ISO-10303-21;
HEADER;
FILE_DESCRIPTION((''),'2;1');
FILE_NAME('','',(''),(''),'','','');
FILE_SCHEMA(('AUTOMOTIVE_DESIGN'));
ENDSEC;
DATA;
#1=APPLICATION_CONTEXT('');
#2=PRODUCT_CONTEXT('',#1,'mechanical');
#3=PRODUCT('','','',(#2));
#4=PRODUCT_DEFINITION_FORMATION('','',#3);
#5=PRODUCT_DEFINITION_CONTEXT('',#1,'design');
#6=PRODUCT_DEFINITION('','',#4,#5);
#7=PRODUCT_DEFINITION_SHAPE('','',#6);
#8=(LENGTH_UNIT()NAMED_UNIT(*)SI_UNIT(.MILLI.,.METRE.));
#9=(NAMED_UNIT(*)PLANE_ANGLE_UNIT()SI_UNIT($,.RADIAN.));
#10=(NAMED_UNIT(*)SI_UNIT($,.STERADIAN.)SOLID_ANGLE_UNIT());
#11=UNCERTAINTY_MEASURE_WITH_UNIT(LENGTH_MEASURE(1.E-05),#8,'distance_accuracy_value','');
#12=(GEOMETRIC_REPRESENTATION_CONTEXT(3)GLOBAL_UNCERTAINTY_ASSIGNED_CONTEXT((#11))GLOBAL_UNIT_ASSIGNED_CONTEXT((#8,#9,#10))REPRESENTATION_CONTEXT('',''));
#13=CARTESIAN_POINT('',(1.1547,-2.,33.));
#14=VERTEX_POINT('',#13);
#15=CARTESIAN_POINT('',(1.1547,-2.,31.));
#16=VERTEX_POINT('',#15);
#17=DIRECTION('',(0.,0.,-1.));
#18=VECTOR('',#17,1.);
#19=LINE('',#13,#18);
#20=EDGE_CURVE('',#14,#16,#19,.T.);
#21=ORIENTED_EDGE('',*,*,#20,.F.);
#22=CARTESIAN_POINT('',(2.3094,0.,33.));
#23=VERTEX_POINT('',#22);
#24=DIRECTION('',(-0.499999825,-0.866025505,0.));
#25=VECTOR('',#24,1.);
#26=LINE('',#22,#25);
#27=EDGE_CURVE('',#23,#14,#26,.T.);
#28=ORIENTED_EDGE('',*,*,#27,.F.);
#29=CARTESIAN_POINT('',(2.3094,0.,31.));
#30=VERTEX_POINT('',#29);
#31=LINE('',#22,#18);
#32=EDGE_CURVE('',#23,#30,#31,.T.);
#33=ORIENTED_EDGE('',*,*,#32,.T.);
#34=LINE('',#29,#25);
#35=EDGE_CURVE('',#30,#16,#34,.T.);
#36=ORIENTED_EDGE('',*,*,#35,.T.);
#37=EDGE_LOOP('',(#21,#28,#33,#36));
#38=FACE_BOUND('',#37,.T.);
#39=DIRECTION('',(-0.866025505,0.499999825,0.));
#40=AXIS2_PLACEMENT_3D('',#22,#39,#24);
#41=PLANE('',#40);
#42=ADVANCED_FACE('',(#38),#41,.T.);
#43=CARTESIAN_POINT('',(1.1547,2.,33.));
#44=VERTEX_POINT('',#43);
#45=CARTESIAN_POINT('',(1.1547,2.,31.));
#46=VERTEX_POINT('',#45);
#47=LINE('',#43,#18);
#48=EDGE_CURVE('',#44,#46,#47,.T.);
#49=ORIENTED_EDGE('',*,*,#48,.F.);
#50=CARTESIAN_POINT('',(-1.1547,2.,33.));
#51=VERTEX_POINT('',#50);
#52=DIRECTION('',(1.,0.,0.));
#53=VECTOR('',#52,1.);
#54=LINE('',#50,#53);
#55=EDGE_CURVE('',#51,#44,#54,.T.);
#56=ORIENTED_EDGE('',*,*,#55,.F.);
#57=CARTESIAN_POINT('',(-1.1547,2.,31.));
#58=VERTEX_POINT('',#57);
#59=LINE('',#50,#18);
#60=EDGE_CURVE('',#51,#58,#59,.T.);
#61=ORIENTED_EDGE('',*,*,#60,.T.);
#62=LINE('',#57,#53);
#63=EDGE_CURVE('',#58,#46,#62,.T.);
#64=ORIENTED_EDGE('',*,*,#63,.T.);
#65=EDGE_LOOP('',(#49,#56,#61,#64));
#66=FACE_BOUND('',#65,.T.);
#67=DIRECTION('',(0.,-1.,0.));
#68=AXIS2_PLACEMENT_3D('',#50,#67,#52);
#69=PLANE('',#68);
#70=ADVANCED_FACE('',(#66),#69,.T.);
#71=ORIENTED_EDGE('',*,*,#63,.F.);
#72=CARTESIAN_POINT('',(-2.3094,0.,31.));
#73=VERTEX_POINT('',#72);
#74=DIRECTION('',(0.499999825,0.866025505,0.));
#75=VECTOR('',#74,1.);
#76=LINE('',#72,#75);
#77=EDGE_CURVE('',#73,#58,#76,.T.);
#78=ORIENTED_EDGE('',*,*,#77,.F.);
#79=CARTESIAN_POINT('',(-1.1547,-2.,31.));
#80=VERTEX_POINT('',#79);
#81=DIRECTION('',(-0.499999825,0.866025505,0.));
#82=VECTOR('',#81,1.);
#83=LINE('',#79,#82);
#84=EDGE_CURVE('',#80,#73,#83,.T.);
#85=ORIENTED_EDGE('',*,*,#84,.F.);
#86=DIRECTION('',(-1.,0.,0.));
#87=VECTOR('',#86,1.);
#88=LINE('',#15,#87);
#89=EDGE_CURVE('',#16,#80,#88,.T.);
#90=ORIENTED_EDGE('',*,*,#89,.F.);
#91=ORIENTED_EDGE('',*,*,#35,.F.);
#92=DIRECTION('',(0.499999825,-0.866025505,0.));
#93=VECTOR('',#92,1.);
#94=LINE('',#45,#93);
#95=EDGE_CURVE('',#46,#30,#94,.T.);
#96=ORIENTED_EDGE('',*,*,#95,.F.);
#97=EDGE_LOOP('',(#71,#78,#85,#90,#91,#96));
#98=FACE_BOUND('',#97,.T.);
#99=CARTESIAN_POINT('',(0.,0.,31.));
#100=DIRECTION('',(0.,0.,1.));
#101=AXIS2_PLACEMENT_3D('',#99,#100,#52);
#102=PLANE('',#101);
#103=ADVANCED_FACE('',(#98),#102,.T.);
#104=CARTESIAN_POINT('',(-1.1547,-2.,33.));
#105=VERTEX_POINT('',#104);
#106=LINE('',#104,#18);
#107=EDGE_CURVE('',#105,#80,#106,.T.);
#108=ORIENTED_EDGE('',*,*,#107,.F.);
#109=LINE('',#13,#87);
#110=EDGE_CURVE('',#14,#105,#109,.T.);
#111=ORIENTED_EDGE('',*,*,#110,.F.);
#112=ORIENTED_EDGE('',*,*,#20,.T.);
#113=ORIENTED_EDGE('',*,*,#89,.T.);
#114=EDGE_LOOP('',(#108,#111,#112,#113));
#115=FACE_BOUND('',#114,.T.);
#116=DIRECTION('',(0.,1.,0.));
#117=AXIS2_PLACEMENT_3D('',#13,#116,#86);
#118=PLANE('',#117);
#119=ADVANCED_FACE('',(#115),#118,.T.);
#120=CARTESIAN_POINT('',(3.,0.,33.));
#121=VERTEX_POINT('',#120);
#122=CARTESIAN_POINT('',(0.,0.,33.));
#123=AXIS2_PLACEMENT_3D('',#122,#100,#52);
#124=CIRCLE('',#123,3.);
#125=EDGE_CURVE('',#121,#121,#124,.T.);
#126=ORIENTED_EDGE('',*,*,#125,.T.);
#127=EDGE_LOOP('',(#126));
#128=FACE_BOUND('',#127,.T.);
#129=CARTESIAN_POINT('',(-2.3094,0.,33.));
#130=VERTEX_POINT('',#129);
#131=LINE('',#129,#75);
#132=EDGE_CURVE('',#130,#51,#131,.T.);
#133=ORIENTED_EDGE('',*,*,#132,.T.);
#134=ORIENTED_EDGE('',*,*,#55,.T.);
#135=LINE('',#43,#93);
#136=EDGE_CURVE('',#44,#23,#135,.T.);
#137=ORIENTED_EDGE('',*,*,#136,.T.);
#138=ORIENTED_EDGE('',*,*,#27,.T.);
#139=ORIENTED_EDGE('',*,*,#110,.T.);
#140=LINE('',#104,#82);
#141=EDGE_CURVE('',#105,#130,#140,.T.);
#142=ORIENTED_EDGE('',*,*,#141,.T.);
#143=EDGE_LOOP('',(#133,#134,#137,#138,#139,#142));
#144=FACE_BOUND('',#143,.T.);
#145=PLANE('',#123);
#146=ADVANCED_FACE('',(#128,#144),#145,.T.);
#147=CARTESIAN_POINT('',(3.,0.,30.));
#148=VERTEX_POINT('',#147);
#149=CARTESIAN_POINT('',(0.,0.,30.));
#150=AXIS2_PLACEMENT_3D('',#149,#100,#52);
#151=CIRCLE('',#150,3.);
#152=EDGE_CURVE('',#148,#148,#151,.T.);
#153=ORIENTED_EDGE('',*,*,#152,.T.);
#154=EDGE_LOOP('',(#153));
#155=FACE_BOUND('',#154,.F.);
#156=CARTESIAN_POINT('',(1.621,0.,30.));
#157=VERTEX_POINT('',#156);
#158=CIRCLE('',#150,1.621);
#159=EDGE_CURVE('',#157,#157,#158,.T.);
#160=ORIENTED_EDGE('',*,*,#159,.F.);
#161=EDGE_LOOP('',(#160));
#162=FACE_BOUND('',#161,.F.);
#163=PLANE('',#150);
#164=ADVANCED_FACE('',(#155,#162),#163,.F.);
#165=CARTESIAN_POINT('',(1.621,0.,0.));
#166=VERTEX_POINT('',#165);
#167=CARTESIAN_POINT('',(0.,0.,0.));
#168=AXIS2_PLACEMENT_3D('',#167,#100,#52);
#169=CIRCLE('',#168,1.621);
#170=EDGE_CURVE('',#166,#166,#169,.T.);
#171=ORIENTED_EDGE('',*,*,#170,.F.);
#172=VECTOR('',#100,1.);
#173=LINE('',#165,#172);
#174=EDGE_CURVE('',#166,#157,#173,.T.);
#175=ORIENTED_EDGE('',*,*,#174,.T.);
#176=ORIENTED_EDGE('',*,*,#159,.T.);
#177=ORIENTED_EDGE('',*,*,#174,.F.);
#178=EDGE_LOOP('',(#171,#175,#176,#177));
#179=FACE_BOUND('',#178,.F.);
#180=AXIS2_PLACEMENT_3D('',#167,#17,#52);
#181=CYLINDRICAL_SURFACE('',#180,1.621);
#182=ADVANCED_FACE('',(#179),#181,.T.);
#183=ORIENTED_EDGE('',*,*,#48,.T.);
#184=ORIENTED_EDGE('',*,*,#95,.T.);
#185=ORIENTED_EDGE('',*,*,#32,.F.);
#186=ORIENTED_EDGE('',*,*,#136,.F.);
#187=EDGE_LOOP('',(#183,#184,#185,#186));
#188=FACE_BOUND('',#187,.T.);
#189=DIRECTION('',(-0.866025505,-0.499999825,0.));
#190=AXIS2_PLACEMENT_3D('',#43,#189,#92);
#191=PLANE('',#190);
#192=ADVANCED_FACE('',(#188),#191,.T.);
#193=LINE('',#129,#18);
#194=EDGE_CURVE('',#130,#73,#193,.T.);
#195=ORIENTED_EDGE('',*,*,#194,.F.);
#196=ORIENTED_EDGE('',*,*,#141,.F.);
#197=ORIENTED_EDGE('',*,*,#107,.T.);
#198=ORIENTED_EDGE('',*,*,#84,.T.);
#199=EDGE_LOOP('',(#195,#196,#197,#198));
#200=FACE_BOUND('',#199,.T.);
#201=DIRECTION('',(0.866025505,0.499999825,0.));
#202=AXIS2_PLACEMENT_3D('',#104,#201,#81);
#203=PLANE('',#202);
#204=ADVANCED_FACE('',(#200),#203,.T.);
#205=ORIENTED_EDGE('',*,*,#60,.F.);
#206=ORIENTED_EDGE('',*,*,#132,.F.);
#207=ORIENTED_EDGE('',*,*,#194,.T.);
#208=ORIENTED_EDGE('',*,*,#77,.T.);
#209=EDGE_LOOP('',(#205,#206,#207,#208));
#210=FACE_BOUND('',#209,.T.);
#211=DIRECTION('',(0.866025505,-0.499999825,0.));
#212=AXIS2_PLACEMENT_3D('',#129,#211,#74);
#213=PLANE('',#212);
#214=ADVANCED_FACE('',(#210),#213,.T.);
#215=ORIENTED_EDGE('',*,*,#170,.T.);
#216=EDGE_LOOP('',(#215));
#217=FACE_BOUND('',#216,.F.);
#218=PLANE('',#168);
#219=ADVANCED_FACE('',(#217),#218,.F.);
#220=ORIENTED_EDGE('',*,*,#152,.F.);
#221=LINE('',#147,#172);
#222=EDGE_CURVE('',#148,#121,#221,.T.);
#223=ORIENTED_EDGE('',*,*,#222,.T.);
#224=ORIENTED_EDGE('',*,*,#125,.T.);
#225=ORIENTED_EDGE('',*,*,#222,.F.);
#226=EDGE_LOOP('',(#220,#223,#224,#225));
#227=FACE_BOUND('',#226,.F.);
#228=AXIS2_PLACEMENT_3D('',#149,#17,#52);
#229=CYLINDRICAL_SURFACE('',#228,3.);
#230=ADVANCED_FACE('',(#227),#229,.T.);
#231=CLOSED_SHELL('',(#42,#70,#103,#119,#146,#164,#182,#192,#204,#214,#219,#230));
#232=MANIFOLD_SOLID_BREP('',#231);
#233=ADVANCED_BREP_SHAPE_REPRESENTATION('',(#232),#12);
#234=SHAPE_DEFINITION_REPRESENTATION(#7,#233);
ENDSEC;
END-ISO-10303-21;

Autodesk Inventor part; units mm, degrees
ref_plane "YZ Plane" through (0, 0, 0) normal (1, 0, 0) x (0, 1, 0)
ref_plane "XZ Plane" through (0, 0, 0) normal (0, 1, 0) x (-1, 0, 0)
ref_plane "XY Plane" through (0, 0, 0) normal (0, 0, 1) x (1, 0, 0)
sketch "Sketch1" plane through (0, 0, 0) normal (0, 0, 1) x (1, 0, 0)
  circle A0 centre (0, 0) radius 1.621
  dimension "d0" = 3.242
extrude "Extrusion1" add sketch "Sketch1" along normal blind 30
sketch "Sketch2" plane through (0, 0, 30) normal (0, 0, 1) x (1, 0, 0)
  circle A0 centre (0, 0) radius 3
  dimension "d3" = 6
extrude "Extrusion2" add sketch "Sketch2" along normal blind 3
sketch "Sketch3" plane through (0, 0, 33) normal (0, 0, 1) x (1, 0, 0)
  line L0 (1.1547, 2) -> (2.3094, 0)
  line L1 (2.3094, 0) -> (1.1547, -2)
  line L2 (1.1547, -2) -> (-1.1547, -2)
  line L3 (-1.1547, -2) -> (-2.3094, 0)
  line L4 (-2.3094, 0) -> (-1.1547, 2)
  line L5 (-1.1547, 2) -> (1.1547, 2)
  point P0 (0, 0)
  point P1 (0, 0)
  point P2 (0, 2)
  dimension "d7" = 4
  dimension "d9" = 3.4641
extrude "Extrusion3" cut sketch "Sketch3" against normal blind 2
thread "Thread4" size "M4x0.7" class "6g" standard "ANSI Metric M Profile" full length
properties part number "M4 union"
